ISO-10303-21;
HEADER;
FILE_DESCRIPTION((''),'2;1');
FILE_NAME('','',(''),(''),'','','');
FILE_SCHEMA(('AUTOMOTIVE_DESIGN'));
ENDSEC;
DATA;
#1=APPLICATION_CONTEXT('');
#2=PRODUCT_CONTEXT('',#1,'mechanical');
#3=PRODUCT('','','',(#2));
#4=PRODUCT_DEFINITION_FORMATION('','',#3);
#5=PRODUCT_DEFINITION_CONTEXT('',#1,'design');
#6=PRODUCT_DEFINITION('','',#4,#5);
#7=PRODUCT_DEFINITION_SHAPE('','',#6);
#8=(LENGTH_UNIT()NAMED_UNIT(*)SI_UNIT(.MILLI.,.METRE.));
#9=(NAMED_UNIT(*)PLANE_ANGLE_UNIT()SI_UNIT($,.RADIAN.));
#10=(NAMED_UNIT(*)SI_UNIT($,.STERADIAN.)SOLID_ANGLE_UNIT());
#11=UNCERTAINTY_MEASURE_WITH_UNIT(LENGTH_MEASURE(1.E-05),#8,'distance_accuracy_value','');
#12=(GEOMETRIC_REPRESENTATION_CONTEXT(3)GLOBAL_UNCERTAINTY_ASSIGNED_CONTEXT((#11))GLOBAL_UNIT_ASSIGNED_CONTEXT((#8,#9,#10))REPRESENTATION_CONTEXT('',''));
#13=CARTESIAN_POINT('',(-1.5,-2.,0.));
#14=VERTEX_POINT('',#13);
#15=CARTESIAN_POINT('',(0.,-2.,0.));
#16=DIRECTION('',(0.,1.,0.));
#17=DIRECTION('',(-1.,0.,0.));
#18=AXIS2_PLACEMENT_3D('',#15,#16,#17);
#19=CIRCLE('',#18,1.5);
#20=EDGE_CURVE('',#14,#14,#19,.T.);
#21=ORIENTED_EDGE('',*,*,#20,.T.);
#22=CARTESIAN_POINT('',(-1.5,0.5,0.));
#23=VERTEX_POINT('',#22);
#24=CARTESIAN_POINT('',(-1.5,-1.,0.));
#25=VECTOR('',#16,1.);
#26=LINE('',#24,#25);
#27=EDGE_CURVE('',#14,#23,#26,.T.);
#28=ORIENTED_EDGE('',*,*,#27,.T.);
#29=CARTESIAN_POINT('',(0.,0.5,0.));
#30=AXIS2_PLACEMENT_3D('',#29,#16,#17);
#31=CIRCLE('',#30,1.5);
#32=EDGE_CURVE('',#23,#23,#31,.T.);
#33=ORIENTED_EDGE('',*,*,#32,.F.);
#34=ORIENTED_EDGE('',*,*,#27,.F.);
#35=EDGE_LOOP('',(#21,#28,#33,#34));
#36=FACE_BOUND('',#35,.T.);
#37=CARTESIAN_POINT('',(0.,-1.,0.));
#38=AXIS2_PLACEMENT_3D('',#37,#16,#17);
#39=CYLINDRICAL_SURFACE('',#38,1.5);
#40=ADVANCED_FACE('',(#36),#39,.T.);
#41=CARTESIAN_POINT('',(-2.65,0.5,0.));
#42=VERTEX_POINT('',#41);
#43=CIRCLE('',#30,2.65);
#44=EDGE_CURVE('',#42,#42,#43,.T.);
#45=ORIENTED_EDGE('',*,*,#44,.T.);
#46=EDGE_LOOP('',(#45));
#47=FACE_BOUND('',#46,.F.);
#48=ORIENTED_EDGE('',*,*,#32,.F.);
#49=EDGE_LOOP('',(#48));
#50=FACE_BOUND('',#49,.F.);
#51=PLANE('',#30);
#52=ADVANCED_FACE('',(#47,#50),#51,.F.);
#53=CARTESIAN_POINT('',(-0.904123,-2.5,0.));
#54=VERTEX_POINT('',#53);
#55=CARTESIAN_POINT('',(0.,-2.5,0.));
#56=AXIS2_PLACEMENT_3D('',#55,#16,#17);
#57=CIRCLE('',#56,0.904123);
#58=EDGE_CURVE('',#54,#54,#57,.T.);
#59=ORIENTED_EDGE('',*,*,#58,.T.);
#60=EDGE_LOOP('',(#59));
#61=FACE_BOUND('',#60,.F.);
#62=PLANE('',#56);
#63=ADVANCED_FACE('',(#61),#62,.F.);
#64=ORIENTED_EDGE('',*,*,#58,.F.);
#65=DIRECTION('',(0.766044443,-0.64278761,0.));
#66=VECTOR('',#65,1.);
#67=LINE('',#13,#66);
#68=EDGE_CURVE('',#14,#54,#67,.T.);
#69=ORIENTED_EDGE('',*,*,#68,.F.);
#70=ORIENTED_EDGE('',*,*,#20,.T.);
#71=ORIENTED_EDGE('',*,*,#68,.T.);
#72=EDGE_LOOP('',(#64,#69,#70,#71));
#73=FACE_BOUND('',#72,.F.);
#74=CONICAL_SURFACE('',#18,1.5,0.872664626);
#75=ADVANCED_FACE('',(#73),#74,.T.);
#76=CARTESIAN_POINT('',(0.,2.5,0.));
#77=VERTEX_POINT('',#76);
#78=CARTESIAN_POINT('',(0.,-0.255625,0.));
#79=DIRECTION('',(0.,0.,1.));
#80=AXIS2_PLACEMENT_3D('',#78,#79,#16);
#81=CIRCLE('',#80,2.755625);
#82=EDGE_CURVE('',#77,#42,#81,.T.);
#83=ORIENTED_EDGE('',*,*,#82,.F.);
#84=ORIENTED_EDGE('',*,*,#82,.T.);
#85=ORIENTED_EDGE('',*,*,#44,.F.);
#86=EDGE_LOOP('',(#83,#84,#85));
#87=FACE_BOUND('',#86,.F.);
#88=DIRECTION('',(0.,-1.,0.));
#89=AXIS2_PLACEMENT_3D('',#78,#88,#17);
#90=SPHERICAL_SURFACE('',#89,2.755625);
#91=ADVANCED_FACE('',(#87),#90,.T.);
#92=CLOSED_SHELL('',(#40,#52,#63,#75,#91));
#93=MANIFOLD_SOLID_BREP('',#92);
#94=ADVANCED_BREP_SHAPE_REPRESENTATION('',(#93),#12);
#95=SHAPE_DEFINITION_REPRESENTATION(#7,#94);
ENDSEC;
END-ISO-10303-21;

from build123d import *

# Parameters (mm, degrees)
SKIZZE1_W   = 2.65
SKIZZE1_H   = 5
SKIZZE2_W   = 1.15
SKIZZE2_H   = 3
FASE1_SIZE  = 0.5
FASE1_SIZE2 = 0.595876796


with BuildPart() as part:
    # Skizze1 → Rotation1 (revolve)
    with BuildSketch(Plane.XY):
        with Locations((-1.325, 0)):
            Rectangle(SKIZZE1_W, SKIZZE1_H)
    revolve(axis=Axis((0, -7.45771041, 0), (0, 1, 0)))

    # Skizze2 → Schnitt-Rotation1 (revolve, cut)
    with BuildSketch(Plane.XY):
        with Locations((-2.075, -1)):
            Rectangle(SKIZZE2_W, SKIZZE2_H)
    revolve(axis=Axis((0, -7.45771041, 0), (0, 1, 0)), mode=Mode.SUBTRACT)

    # Skizze3 → Schnitt-Rotation2 (revolve, cut)
    with BuildSketch(Plane.XY):
        with BuildLine():
            Line((-2.65, 0.5), (-4.39181551, 0.5))
            Line((-4.39181551, 0.5), (-4.39181551, 3.889875423))
            Line((-4.39181551, 3.889875423), (0, 3.889875423))
            Line((0, 3.889875423), (0, 2.5))
            ThreePointArc((0, 2.5), (-1.66000753, 1.943884977), (-2.65, 0.5))
        make_face()
    revolve(axis=Axis((0, -7.45771041, 0), (0, 1, 0)), mode=Mode.SUBTRACT)

    # Fase1
    fase1_edges = [part.edges().sort_by_distance(p)[0] for p in [
        (1.5, -2.5, 0),
    ]]
    fase1_side = [part.faces().sort_by_distance(p)[0] for p in [
        (1.5, -1, 0),
    ]]
    chamfer(fase1_edges, length=FASE1_SIZE, length2=FASE1_SIZE2, reference=fase1_side[0])


solid = part.part
